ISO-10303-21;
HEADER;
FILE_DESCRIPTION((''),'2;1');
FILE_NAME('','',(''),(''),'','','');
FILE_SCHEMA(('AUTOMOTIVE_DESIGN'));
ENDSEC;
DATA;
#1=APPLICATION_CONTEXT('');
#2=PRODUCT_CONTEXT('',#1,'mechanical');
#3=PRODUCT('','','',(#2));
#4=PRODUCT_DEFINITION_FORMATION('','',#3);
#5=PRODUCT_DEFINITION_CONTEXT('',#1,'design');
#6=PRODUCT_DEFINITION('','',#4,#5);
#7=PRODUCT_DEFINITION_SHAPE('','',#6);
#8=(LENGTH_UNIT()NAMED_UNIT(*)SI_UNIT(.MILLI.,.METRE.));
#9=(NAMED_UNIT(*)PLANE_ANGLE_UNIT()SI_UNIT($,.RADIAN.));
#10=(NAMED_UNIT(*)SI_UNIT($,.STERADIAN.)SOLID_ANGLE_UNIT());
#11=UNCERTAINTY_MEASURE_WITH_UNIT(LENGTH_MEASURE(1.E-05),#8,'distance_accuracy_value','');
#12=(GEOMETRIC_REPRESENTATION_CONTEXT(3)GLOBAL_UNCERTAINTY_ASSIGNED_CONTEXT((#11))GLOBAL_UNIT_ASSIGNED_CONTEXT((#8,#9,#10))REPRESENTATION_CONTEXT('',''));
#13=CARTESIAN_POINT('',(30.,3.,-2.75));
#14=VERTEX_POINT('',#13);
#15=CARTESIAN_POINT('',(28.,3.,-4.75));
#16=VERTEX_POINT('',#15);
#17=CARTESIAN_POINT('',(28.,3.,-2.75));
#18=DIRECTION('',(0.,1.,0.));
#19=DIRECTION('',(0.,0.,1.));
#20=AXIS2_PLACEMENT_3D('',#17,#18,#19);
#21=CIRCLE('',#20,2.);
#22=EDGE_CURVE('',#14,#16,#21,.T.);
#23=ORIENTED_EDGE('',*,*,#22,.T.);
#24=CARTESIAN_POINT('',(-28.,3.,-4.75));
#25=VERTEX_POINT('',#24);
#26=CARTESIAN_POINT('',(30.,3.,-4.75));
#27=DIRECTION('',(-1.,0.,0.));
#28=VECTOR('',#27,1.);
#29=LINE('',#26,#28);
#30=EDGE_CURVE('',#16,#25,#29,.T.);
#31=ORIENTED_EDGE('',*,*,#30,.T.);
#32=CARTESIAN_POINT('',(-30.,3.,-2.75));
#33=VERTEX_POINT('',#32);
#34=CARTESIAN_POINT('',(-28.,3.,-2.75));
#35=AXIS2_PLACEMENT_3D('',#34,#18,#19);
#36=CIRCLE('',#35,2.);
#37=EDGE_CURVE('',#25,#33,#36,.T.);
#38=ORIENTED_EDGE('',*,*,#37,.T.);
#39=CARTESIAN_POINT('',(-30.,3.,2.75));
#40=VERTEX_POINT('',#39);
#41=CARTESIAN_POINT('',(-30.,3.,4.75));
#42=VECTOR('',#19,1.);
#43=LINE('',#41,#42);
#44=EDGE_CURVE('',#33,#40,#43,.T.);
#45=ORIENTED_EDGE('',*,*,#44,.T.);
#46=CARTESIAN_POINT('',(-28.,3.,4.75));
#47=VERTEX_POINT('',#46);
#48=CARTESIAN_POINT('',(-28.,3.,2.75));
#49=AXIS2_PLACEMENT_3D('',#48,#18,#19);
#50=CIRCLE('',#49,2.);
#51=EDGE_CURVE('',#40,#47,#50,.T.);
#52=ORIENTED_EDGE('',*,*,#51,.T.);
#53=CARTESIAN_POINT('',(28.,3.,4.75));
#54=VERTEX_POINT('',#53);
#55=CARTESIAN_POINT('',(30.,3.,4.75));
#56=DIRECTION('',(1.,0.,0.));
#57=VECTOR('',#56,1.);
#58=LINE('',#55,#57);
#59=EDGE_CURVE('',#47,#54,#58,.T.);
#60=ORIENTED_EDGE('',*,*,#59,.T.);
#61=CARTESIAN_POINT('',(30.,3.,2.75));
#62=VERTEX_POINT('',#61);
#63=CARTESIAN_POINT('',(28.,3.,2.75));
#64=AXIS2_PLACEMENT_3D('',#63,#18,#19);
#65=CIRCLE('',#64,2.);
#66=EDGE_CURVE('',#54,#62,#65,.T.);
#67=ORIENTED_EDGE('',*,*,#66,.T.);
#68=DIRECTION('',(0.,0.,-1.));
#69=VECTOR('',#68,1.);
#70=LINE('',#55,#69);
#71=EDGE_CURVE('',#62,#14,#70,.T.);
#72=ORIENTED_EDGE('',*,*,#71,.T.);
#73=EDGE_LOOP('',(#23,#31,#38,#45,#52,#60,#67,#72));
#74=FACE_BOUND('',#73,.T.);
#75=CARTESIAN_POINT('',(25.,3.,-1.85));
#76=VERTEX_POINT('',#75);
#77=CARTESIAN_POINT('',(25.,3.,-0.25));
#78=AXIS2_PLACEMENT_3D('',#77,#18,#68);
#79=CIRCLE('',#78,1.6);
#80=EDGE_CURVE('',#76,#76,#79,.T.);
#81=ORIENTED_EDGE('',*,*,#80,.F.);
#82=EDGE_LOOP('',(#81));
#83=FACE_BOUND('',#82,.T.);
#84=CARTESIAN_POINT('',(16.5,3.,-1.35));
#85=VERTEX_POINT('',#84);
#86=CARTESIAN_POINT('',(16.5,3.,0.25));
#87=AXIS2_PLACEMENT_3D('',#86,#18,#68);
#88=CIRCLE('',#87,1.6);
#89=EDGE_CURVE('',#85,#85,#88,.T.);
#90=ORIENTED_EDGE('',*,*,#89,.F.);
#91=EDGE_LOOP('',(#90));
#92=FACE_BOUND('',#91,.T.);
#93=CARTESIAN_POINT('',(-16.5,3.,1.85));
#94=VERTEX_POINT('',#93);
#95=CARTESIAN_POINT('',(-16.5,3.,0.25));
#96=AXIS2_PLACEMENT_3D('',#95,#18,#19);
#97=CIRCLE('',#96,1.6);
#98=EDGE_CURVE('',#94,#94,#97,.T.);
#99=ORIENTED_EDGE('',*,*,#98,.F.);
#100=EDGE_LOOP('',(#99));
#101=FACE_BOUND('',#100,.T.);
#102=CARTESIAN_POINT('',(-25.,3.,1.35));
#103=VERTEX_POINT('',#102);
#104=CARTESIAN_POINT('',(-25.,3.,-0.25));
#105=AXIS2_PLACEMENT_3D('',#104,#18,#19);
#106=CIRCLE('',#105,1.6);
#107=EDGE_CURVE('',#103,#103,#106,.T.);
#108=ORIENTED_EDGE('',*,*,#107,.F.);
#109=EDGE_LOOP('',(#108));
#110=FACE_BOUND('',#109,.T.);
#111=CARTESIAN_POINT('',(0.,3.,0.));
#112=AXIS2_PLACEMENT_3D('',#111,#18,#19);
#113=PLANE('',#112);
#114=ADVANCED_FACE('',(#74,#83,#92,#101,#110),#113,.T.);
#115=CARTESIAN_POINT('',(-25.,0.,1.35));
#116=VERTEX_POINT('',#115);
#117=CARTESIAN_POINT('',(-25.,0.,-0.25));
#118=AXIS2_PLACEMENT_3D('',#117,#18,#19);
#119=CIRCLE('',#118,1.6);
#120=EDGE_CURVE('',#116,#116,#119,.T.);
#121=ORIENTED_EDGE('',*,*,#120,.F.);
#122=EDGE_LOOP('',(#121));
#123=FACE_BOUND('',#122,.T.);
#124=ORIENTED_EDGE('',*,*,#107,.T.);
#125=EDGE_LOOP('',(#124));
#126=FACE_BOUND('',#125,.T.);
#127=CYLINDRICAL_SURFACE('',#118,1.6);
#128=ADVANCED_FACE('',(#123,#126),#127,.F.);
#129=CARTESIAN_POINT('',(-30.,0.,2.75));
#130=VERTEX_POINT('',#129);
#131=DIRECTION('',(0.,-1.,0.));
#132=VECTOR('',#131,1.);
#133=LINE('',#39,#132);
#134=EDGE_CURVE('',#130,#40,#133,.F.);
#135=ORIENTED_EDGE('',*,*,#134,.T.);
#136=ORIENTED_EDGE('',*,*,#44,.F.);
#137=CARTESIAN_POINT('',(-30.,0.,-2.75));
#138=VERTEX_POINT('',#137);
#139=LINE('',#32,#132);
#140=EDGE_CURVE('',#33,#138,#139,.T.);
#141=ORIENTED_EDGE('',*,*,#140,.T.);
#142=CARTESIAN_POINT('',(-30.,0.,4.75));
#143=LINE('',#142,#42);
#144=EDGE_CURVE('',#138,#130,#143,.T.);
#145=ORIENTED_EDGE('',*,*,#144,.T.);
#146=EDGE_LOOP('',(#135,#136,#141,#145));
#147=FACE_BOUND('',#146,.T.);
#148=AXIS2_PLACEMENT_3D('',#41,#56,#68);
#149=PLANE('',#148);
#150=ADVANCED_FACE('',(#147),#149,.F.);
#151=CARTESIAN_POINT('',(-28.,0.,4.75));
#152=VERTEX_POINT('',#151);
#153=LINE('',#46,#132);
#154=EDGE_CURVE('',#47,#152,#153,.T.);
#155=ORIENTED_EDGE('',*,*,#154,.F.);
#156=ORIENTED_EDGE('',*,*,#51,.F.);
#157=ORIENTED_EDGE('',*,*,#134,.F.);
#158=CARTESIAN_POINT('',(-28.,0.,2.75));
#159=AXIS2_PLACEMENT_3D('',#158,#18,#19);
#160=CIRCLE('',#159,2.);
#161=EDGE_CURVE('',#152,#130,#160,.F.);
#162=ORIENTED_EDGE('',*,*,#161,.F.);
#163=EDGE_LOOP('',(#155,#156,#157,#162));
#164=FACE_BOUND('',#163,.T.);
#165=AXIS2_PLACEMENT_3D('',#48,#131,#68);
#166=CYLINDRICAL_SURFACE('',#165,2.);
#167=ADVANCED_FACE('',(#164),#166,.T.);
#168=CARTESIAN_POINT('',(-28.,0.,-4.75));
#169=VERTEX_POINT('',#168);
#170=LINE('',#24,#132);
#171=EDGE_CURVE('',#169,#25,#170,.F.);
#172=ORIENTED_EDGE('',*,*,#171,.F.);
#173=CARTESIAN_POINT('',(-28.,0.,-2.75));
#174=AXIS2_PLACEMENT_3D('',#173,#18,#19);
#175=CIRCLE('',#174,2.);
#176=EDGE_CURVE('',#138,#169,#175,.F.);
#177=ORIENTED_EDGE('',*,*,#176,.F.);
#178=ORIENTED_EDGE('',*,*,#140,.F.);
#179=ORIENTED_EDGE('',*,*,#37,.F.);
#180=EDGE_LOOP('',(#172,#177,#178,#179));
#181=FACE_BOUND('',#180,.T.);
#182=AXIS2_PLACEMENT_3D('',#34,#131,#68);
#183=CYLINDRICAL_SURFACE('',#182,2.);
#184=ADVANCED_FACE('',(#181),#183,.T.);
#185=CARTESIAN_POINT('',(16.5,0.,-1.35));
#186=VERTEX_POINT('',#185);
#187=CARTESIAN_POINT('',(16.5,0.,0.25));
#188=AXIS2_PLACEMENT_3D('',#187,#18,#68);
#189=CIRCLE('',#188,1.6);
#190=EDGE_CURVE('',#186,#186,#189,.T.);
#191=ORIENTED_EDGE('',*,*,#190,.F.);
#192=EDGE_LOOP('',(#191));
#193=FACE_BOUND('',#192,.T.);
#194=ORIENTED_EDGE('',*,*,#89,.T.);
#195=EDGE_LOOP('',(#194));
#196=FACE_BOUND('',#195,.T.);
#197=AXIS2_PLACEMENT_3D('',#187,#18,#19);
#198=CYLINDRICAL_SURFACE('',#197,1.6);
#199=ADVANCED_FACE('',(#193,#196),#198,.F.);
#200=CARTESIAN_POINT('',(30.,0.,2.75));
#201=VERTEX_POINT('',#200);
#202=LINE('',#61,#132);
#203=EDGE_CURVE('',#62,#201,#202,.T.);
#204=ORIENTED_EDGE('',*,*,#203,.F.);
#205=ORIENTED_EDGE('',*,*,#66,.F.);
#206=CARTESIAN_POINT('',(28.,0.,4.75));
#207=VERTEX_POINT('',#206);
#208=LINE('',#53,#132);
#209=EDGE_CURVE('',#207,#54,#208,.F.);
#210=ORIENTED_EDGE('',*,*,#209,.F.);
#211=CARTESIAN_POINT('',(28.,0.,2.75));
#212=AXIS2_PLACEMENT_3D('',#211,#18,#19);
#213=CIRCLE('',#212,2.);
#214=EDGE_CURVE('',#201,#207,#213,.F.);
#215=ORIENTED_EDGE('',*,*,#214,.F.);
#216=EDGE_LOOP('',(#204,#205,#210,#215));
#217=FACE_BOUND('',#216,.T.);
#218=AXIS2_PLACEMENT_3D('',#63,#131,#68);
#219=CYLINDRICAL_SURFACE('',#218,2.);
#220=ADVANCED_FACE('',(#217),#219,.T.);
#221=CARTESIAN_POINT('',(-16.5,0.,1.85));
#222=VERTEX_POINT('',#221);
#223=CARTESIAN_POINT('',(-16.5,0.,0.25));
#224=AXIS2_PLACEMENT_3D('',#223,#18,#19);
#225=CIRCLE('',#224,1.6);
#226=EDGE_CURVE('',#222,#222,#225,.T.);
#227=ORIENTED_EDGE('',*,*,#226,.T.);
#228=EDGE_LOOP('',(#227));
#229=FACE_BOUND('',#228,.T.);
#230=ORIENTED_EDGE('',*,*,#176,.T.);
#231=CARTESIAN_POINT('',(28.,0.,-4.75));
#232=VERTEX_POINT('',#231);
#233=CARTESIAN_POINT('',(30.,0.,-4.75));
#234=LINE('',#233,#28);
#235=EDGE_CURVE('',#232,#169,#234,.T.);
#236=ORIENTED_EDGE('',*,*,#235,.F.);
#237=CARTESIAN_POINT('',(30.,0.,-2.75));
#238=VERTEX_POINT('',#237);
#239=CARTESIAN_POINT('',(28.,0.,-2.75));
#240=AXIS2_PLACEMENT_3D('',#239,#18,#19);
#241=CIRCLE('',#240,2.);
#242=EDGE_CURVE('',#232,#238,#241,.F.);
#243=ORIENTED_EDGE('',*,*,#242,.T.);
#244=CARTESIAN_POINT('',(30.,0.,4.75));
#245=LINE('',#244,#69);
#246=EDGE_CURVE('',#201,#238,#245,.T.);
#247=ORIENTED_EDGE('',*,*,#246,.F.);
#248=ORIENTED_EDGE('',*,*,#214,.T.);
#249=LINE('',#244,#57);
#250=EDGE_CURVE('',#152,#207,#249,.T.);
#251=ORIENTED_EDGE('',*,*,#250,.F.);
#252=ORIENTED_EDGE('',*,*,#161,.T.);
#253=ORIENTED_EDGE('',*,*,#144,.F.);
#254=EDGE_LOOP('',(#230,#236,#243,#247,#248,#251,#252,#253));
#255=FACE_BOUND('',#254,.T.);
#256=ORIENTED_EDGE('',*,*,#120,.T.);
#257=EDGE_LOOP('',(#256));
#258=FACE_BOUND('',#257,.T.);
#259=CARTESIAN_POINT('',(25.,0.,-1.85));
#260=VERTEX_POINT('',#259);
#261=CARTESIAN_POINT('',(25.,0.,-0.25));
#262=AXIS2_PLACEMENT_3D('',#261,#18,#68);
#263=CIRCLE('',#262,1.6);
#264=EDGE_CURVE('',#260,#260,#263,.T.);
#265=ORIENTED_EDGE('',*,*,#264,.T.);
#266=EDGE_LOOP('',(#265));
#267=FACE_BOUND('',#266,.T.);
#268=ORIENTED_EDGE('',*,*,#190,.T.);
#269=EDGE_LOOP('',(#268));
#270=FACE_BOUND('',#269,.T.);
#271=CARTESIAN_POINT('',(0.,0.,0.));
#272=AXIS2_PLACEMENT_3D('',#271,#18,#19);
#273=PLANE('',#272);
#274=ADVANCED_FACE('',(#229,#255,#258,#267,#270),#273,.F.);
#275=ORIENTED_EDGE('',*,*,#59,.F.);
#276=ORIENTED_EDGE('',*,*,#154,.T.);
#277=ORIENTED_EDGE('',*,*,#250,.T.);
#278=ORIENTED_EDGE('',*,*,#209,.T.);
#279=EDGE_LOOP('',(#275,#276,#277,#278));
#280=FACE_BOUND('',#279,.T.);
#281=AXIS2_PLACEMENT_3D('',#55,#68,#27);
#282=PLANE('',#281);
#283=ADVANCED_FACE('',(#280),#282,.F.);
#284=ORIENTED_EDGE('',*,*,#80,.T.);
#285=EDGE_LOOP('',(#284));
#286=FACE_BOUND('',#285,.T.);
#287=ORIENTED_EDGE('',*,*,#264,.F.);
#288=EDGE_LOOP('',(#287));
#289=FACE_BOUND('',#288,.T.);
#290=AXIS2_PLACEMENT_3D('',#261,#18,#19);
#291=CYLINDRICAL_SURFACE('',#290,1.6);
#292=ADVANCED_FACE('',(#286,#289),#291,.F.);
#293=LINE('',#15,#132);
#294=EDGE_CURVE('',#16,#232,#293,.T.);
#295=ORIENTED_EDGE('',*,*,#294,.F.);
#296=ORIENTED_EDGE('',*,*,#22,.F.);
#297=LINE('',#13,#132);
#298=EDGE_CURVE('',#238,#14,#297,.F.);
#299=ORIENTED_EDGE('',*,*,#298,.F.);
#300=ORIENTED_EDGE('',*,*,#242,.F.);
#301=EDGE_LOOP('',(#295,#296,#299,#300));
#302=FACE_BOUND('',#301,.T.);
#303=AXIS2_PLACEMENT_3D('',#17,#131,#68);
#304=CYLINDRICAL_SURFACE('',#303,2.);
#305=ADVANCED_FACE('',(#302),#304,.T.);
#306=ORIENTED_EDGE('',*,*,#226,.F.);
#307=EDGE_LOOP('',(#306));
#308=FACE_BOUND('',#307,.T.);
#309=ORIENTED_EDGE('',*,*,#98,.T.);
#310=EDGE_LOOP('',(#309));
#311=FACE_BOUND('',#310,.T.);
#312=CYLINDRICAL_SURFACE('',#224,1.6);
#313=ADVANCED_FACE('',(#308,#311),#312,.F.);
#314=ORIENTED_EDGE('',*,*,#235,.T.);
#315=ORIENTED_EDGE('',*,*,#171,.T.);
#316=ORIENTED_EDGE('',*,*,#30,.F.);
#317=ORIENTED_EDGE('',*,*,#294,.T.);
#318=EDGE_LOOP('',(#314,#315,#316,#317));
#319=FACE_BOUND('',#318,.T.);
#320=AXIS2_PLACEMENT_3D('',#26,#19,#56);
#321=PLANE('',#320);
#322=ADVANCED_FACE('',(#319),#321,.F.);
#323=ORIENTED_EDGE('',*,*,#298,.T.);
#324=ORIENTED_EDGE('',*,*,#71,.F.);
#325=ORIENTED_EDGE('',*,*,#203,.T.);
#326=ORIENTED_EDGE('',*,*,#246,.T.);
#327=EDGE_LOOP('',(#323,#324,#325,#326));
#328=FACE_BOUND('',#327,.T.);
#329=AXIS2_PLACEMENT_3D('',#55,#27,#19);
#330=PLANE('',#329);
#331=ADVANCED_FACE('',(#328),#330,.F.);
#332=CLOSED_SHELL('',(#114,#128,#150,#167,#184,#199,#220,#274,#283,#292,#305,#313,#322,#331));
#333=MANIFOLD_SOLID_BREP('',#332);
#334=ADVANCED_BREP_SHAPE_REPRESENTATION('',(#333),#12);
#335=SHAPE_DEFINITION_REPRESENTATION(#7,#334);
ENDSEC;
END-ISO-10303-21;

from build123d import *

# Parameters (mm, degrees)
SKETCH_1_W          = 60
SKETCH_1_H          = 9.5
EXTRUDE_1_DEPTH     = 3
SKETCH_2_R          = 1.6
CUT_EXTRUDE_1_DEPTH = 3
FILLET_1_R          = 2


with BuildPart() as part:
    # 草图1 → 凸台-拉伸1 (new body)
    with BuildSketch(Plane(origin=(0, 0, 0), x_dir=(1, 0, 0), z_dir=(0, 1, 0))):
        Rectangle(SKETCH_1_W, SKETCH_1_H)
    extrude(amount=EXTRUDE_1_DEPTH)

    # 草图2 → 切除-拉伸1 (cut)
    with BuildSketch(Plane(origin=(0, 3, 0), x_dir=(1, 0, 0), z_dir=(0, 1, 0))):
        with Locations(Location((-16.5, -0.25, 0), (0, 0, 270))):
            Circle(SKETCH_2_R)
        with Locations(Location((-25, 0.25, 0), (0, 0, 270))):
            Circle(SKETCH_2_R)
        with Locations(Location((25, 0.25, 0), (0, 0, 90))):
            Circle(SKETCH_2_R)
        with Locations(Location((16.5, -0.25, 0), (0, 0, 90))):
            Circle(SKETCH_2_R)
    extrude(amount=-CUT_EXTRUDE_1_DEPTH, mode=Mode.SUBTRACT)

    # 圆角1
    fillet_1_edges = [part.edges().sort_by_distance(p)[0] for p in [
        (-30, 1.5, -4.75),
        (30, 1.5, -4.75),
        (30, 1.5, 4.75),
        (-30, 1.5, 4.75),
    ]]
    fillet(fillet_1_edges, radius=FILLET_1_R)


solid = part.part
